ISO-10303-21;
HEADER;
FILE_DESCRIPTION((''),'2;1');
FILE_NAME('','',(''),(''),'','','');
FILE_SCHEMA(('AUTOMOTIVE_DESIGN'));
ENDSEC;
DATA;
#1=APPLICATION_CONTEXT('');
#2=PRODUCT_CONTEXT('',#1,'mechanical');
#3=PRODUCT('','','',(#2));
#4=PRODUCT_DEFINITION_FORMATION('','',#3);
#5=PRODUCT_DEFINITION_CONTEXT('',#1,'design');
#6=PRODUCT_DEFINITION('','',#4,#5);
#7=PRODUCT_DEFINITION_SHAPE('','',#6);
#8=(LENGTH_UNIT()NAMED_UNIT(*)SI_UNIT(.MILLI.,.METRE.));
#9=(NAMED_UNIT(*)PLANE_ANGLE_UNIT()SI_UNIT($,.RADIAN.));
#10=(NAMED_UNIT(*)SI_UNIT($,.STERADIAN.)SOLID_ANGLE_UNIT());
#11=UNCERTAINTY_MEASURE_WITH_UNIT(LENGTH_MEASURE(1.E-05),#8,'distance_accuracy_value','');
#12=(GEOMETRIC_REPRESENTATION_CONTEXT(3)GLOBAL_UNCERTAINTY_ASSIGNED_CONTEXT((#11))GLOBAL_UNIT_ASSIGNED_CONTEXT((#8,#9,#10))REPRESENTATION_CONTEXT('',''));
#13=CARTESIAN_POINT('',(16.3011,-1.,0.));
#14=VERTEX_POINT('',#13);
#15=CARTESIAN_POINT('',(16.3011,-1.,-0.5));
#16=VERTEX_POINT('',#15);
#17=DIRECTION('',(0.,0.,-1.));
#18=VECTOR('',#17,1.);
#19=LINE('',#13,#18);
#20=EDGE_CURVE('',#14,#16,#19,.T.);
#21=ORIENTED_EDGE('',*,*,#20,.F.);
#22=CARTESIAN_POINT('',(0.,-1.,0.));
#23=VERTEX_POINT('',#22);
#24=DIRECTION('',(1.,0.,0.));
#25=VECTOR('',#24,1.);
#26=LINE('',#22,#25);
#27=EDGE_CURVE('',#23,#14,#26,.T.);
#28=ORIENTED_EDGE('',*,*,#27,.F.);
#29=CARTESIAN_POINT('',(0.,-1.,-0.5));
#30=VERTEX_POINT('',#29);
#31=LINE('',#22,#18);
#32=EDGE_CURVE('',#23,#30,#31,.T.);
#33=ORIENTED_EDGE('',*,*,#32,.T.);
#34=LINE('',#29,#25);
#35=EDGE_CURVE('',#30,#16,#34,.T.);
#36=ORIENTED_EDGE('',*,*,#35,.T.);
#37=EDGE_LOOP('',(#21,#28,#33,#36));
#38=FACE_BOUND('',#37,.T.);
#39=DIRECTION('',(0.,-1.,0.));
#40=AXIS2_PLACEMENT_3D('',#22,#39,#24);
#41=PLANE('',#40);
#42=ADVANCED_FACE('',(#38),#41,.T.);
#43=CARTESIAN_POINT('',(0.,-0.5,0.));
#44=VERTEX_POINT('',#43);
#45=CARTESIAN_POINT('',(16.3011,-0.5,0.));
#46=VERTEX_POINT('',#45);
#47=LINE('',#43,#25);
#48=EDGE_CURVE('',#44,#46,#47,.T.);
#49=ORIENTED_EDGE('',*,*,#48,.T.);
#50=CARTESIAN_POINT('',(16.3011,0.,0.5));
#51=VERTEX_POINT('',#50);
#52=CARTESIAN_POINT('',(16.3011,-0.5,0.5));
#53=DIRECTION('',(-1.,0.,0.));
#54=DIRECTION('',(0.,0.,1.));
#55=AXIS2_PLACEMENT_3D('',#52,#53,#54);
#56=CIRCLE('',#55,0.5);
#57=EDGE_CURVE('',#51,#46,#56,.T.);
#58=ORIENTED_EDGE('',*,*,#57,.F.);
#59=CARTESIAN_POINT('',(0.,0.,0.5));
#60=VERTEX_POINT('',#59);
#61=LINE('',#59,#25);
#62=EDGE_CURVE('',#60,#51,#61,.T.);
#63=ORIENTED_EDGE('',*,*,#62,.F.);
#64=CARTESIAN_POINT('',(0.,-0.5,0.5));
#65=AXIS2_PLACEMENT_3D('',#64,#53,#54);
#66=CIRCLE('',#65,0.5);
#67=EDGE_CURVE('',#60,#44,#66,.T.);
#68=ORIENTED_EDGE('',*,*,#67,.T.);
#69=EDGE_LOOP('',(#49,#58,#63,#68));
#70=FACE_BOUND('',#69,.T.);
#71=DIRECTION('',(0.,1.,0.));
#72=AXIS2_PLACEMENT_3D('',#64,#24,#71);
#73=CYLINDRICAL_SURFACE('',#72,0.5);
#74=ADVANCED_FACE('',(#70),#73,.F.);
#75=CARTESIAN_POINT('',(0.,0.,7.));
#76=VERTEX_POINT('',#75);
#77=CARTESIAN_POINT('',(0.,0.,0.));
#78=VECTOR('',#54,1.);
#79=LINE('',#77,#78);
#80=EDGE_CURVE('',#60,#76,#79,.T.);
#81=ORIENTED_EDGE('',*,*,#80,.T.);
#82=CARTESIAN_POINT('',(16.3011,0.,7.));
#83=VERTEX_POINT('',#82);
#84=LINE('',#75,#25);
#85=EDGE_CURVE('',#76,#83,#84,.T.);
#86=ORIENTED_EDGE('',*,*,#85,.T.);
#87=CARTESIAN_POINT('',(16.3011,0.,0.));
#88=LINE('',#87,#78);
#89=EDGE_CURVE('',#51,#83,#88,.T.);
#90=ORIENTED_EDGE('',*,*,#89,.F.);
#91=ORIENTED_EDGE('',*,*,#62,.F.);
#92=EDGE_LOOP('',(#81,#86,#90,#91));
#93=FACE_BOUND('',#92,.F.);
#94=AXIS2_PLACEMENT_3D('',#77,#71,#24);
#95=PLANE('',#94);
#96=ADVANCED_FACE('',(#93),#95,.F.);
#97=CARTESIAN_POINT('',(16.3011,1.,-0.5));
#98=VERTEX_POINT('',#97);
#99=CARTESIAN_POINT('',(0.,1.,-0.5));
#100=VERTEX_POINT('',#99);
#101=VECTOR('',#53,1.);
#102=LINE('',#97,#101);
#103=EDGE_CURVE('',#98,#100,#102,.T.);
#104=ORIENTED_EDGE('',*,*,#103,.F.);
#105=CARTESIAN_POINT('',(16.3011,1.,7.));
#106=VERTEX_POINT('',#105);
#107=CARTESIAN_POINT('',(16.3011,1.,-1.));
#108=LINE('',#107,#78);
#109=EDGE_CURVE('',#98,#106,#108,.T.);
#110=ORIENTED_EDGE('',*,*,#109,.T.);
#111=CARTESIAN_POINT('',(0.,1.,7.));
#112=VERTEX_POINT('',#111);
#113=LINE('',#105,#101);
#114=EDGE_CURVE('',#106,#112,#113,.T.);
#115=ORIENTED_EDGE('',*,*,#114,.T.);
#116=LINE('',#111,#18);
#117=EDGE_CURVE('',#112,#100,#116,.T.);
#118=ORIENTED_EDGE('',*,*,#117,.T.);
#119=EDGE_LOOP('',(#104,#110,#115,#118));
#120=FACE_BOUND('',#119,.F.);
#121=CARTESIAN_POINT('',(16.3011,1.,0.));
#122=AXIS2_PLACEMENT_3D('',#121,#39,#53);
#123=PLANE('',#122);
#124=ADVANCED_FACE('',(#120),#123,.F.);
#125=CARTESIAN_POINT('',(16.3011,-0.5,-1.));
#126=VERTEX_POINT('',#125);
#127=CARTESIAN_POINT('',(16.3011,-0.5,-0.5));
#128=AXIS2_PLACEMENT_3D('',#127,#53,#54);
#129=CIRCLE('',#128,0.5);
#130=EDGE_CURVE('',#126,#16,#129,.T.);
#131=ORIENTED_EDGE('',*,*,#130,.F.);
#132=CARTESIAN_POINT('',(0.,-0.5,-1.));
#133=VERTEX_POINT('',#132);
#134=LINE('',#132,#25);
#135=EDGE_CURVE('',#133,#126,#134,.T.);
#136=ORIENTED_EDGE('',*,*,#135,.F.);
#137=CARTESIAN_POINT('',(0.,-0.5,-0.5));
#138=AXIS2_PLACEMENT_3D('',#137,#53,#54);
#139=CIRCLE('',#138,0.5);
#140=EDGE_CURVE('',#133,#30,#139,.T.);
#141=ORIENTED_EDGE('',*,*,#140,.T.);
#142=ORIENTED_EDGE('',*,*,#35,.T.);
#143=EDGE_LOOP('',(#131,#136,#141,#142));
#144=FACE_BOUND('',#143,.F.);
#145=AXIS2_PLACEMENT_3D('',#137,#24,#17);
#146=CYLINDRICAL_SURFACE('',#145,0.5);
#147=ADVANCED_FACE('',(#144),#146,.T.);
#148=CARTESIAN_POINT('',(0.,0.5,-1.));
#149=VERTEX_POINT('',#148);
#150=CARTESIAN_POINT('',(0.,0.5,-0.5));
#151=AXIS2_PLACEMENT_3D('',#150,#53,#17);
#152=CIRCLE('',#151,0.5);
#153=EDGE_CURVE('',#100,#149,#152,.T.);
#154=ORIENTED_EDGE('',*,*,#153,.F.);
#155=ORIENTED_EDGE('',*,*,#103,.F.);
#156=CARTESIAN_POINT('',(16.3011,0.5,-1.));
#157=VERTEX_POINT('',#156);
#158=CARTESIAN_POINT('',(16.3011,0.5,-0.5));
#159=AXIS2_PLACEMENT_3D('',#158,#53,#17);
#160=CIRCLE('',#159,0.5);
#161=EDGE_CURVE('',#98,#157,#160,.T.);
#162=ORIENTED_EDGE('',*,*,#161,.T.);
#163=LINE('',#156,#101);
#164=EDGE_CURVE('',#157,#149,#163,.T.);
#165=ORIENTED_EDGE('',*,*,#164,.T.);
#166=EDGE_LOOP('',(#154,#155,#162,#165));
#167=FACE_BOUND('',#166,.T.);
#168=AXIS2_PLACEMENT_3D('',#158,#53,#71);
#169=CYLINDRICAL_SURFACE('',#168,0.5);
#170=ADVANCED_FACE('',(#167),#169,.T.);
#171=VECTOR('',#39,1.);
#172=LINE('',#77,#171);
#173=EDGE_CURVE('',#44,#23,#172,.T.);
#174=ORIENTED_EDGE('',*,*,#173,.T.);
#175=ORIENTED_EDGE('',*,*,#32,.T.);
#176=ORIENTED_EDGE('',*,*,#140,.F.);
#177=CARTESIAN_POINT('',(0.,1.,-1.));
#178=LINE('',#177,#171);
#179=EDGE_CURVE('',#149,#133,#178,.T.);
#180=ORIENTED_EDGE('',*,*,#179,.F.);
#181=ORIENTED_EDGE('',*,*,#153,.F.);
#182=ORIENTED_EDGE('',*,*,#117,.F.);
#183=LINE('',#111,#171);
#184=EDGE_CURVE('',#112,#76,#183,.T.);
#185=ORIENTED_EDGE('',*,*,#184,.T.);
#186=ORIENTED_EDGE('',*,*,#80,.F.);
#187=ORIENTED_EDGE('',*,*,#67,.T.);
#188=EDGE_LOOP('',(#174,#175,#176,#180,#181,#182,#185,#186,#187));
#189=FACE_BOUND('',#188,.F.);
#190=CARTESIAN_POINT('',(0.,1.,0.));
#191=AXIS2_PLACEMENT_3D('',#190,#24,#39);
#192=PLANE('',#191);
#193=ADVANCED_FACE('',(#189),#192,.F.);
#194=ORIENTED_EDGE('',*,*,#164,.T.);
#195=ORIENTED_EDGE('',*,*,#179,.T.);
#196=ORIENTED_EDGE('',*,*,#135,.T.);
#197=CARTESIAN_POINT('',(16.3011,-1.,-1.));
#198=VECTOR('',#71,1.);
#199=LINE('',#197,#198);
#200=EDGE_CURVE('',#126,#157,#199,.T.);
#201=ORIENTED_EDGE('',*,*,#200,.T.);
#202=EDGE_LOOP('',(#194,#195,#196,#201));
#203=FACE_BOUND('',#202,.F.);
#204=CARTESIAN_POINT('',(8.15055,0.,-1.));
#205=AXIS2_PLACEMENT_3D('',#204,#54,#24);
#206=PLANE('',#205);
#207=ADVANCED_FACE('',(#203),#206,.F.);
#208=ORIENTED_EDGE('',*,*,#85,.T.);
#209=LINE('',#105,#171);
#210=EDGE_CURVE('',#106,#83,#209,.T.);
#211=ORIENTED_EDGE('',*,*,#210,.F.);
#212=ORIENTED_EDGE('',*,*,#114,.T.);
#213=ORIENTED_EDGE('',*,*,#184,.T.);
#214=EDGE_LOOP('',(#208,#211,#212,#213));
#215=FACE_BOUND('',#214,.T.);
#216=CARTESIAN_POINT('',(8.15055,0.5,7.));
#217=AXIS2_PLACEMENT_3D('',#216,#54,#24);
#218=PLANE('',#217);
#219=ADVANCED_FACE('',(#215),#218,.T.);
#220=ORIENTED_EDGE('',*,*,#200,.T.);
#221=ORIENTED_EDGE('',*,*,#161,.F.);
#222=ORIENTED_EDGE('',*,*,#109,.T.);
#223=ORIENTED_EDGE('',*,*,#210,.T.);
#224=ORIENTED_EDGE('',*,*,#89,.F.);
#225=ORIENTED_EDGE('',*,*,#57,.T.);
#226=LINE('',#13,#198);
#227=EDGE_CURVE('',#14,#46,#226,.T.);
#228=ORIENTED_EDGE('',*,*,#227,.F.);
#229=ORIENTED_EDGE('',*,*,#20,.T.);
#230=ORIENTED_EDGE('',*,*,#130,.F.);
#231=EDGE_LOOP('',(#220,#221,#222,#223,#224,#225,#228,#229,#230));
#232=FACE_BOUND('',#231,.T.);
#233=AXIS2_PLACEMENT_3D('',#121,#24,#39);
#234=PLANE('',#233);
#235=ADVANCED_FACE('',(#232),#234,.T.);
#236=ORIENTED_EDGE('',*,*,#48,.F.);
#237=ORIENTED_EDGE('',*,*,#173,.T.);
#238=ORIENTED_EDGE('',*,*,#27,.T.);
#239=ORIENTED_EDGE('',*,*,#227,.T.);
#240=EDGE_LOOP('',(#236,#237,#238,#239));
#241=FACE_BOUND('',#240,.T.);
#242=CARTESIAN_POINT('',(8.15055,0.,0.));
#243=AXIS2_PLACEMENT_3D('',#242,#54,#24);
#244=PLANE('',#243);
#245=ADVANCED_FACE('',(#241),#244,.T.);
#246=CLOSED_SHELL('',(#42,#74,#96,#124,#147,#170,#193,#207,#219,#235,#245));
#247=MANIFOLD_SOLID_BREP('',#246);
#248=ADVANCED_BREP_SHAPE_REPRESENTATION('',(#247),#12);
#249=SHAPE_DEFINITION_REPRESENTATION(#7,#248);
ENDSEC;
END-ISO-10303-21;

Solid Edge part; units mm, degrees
sketch "Sketch1" plane through (0, 0, 0) normal (0, 0, 1) x (1, 0, 0)
  line L0 (0, 0) -> (16.3011, 0)
  line L1 (16.3011, 1) -> (16.3011, 0)
  line L2 (16.3011, 1) -> (0, 1)
  line L3 (0, 1) -> (0, 0)
extrude "Protrusion1" add sketch "Sketch1" along normal blind 7
sketch "Sketch2" plane through (0, 0, 0) normal (0, 0, 1) x (1, 0, 0)
  line L0 (0, 0) -> (0, -1)
  line L1 (0, -1) -> (16.3011, -1)
  line L2 (16.3011, -1) -> (16.3011, 0)
  line L3 (16.3011, 1) -> (16.3011, 0)
  line L4 (16.3011, 1) -> (0, 1)
  line L5 (0, 1) -> (0, 0)
extrude "ProtrusioneEstrusa_6" add sketch "Sketch2" against normal blind 1
fillet "Rotondo_3" radius 0.5 2 edges at (8.1505, 1, -1) (8.1505, 0, 0)
fillet "Rotondo_5" radius 0.5 1 edges at (8.1505, -1, -1)
